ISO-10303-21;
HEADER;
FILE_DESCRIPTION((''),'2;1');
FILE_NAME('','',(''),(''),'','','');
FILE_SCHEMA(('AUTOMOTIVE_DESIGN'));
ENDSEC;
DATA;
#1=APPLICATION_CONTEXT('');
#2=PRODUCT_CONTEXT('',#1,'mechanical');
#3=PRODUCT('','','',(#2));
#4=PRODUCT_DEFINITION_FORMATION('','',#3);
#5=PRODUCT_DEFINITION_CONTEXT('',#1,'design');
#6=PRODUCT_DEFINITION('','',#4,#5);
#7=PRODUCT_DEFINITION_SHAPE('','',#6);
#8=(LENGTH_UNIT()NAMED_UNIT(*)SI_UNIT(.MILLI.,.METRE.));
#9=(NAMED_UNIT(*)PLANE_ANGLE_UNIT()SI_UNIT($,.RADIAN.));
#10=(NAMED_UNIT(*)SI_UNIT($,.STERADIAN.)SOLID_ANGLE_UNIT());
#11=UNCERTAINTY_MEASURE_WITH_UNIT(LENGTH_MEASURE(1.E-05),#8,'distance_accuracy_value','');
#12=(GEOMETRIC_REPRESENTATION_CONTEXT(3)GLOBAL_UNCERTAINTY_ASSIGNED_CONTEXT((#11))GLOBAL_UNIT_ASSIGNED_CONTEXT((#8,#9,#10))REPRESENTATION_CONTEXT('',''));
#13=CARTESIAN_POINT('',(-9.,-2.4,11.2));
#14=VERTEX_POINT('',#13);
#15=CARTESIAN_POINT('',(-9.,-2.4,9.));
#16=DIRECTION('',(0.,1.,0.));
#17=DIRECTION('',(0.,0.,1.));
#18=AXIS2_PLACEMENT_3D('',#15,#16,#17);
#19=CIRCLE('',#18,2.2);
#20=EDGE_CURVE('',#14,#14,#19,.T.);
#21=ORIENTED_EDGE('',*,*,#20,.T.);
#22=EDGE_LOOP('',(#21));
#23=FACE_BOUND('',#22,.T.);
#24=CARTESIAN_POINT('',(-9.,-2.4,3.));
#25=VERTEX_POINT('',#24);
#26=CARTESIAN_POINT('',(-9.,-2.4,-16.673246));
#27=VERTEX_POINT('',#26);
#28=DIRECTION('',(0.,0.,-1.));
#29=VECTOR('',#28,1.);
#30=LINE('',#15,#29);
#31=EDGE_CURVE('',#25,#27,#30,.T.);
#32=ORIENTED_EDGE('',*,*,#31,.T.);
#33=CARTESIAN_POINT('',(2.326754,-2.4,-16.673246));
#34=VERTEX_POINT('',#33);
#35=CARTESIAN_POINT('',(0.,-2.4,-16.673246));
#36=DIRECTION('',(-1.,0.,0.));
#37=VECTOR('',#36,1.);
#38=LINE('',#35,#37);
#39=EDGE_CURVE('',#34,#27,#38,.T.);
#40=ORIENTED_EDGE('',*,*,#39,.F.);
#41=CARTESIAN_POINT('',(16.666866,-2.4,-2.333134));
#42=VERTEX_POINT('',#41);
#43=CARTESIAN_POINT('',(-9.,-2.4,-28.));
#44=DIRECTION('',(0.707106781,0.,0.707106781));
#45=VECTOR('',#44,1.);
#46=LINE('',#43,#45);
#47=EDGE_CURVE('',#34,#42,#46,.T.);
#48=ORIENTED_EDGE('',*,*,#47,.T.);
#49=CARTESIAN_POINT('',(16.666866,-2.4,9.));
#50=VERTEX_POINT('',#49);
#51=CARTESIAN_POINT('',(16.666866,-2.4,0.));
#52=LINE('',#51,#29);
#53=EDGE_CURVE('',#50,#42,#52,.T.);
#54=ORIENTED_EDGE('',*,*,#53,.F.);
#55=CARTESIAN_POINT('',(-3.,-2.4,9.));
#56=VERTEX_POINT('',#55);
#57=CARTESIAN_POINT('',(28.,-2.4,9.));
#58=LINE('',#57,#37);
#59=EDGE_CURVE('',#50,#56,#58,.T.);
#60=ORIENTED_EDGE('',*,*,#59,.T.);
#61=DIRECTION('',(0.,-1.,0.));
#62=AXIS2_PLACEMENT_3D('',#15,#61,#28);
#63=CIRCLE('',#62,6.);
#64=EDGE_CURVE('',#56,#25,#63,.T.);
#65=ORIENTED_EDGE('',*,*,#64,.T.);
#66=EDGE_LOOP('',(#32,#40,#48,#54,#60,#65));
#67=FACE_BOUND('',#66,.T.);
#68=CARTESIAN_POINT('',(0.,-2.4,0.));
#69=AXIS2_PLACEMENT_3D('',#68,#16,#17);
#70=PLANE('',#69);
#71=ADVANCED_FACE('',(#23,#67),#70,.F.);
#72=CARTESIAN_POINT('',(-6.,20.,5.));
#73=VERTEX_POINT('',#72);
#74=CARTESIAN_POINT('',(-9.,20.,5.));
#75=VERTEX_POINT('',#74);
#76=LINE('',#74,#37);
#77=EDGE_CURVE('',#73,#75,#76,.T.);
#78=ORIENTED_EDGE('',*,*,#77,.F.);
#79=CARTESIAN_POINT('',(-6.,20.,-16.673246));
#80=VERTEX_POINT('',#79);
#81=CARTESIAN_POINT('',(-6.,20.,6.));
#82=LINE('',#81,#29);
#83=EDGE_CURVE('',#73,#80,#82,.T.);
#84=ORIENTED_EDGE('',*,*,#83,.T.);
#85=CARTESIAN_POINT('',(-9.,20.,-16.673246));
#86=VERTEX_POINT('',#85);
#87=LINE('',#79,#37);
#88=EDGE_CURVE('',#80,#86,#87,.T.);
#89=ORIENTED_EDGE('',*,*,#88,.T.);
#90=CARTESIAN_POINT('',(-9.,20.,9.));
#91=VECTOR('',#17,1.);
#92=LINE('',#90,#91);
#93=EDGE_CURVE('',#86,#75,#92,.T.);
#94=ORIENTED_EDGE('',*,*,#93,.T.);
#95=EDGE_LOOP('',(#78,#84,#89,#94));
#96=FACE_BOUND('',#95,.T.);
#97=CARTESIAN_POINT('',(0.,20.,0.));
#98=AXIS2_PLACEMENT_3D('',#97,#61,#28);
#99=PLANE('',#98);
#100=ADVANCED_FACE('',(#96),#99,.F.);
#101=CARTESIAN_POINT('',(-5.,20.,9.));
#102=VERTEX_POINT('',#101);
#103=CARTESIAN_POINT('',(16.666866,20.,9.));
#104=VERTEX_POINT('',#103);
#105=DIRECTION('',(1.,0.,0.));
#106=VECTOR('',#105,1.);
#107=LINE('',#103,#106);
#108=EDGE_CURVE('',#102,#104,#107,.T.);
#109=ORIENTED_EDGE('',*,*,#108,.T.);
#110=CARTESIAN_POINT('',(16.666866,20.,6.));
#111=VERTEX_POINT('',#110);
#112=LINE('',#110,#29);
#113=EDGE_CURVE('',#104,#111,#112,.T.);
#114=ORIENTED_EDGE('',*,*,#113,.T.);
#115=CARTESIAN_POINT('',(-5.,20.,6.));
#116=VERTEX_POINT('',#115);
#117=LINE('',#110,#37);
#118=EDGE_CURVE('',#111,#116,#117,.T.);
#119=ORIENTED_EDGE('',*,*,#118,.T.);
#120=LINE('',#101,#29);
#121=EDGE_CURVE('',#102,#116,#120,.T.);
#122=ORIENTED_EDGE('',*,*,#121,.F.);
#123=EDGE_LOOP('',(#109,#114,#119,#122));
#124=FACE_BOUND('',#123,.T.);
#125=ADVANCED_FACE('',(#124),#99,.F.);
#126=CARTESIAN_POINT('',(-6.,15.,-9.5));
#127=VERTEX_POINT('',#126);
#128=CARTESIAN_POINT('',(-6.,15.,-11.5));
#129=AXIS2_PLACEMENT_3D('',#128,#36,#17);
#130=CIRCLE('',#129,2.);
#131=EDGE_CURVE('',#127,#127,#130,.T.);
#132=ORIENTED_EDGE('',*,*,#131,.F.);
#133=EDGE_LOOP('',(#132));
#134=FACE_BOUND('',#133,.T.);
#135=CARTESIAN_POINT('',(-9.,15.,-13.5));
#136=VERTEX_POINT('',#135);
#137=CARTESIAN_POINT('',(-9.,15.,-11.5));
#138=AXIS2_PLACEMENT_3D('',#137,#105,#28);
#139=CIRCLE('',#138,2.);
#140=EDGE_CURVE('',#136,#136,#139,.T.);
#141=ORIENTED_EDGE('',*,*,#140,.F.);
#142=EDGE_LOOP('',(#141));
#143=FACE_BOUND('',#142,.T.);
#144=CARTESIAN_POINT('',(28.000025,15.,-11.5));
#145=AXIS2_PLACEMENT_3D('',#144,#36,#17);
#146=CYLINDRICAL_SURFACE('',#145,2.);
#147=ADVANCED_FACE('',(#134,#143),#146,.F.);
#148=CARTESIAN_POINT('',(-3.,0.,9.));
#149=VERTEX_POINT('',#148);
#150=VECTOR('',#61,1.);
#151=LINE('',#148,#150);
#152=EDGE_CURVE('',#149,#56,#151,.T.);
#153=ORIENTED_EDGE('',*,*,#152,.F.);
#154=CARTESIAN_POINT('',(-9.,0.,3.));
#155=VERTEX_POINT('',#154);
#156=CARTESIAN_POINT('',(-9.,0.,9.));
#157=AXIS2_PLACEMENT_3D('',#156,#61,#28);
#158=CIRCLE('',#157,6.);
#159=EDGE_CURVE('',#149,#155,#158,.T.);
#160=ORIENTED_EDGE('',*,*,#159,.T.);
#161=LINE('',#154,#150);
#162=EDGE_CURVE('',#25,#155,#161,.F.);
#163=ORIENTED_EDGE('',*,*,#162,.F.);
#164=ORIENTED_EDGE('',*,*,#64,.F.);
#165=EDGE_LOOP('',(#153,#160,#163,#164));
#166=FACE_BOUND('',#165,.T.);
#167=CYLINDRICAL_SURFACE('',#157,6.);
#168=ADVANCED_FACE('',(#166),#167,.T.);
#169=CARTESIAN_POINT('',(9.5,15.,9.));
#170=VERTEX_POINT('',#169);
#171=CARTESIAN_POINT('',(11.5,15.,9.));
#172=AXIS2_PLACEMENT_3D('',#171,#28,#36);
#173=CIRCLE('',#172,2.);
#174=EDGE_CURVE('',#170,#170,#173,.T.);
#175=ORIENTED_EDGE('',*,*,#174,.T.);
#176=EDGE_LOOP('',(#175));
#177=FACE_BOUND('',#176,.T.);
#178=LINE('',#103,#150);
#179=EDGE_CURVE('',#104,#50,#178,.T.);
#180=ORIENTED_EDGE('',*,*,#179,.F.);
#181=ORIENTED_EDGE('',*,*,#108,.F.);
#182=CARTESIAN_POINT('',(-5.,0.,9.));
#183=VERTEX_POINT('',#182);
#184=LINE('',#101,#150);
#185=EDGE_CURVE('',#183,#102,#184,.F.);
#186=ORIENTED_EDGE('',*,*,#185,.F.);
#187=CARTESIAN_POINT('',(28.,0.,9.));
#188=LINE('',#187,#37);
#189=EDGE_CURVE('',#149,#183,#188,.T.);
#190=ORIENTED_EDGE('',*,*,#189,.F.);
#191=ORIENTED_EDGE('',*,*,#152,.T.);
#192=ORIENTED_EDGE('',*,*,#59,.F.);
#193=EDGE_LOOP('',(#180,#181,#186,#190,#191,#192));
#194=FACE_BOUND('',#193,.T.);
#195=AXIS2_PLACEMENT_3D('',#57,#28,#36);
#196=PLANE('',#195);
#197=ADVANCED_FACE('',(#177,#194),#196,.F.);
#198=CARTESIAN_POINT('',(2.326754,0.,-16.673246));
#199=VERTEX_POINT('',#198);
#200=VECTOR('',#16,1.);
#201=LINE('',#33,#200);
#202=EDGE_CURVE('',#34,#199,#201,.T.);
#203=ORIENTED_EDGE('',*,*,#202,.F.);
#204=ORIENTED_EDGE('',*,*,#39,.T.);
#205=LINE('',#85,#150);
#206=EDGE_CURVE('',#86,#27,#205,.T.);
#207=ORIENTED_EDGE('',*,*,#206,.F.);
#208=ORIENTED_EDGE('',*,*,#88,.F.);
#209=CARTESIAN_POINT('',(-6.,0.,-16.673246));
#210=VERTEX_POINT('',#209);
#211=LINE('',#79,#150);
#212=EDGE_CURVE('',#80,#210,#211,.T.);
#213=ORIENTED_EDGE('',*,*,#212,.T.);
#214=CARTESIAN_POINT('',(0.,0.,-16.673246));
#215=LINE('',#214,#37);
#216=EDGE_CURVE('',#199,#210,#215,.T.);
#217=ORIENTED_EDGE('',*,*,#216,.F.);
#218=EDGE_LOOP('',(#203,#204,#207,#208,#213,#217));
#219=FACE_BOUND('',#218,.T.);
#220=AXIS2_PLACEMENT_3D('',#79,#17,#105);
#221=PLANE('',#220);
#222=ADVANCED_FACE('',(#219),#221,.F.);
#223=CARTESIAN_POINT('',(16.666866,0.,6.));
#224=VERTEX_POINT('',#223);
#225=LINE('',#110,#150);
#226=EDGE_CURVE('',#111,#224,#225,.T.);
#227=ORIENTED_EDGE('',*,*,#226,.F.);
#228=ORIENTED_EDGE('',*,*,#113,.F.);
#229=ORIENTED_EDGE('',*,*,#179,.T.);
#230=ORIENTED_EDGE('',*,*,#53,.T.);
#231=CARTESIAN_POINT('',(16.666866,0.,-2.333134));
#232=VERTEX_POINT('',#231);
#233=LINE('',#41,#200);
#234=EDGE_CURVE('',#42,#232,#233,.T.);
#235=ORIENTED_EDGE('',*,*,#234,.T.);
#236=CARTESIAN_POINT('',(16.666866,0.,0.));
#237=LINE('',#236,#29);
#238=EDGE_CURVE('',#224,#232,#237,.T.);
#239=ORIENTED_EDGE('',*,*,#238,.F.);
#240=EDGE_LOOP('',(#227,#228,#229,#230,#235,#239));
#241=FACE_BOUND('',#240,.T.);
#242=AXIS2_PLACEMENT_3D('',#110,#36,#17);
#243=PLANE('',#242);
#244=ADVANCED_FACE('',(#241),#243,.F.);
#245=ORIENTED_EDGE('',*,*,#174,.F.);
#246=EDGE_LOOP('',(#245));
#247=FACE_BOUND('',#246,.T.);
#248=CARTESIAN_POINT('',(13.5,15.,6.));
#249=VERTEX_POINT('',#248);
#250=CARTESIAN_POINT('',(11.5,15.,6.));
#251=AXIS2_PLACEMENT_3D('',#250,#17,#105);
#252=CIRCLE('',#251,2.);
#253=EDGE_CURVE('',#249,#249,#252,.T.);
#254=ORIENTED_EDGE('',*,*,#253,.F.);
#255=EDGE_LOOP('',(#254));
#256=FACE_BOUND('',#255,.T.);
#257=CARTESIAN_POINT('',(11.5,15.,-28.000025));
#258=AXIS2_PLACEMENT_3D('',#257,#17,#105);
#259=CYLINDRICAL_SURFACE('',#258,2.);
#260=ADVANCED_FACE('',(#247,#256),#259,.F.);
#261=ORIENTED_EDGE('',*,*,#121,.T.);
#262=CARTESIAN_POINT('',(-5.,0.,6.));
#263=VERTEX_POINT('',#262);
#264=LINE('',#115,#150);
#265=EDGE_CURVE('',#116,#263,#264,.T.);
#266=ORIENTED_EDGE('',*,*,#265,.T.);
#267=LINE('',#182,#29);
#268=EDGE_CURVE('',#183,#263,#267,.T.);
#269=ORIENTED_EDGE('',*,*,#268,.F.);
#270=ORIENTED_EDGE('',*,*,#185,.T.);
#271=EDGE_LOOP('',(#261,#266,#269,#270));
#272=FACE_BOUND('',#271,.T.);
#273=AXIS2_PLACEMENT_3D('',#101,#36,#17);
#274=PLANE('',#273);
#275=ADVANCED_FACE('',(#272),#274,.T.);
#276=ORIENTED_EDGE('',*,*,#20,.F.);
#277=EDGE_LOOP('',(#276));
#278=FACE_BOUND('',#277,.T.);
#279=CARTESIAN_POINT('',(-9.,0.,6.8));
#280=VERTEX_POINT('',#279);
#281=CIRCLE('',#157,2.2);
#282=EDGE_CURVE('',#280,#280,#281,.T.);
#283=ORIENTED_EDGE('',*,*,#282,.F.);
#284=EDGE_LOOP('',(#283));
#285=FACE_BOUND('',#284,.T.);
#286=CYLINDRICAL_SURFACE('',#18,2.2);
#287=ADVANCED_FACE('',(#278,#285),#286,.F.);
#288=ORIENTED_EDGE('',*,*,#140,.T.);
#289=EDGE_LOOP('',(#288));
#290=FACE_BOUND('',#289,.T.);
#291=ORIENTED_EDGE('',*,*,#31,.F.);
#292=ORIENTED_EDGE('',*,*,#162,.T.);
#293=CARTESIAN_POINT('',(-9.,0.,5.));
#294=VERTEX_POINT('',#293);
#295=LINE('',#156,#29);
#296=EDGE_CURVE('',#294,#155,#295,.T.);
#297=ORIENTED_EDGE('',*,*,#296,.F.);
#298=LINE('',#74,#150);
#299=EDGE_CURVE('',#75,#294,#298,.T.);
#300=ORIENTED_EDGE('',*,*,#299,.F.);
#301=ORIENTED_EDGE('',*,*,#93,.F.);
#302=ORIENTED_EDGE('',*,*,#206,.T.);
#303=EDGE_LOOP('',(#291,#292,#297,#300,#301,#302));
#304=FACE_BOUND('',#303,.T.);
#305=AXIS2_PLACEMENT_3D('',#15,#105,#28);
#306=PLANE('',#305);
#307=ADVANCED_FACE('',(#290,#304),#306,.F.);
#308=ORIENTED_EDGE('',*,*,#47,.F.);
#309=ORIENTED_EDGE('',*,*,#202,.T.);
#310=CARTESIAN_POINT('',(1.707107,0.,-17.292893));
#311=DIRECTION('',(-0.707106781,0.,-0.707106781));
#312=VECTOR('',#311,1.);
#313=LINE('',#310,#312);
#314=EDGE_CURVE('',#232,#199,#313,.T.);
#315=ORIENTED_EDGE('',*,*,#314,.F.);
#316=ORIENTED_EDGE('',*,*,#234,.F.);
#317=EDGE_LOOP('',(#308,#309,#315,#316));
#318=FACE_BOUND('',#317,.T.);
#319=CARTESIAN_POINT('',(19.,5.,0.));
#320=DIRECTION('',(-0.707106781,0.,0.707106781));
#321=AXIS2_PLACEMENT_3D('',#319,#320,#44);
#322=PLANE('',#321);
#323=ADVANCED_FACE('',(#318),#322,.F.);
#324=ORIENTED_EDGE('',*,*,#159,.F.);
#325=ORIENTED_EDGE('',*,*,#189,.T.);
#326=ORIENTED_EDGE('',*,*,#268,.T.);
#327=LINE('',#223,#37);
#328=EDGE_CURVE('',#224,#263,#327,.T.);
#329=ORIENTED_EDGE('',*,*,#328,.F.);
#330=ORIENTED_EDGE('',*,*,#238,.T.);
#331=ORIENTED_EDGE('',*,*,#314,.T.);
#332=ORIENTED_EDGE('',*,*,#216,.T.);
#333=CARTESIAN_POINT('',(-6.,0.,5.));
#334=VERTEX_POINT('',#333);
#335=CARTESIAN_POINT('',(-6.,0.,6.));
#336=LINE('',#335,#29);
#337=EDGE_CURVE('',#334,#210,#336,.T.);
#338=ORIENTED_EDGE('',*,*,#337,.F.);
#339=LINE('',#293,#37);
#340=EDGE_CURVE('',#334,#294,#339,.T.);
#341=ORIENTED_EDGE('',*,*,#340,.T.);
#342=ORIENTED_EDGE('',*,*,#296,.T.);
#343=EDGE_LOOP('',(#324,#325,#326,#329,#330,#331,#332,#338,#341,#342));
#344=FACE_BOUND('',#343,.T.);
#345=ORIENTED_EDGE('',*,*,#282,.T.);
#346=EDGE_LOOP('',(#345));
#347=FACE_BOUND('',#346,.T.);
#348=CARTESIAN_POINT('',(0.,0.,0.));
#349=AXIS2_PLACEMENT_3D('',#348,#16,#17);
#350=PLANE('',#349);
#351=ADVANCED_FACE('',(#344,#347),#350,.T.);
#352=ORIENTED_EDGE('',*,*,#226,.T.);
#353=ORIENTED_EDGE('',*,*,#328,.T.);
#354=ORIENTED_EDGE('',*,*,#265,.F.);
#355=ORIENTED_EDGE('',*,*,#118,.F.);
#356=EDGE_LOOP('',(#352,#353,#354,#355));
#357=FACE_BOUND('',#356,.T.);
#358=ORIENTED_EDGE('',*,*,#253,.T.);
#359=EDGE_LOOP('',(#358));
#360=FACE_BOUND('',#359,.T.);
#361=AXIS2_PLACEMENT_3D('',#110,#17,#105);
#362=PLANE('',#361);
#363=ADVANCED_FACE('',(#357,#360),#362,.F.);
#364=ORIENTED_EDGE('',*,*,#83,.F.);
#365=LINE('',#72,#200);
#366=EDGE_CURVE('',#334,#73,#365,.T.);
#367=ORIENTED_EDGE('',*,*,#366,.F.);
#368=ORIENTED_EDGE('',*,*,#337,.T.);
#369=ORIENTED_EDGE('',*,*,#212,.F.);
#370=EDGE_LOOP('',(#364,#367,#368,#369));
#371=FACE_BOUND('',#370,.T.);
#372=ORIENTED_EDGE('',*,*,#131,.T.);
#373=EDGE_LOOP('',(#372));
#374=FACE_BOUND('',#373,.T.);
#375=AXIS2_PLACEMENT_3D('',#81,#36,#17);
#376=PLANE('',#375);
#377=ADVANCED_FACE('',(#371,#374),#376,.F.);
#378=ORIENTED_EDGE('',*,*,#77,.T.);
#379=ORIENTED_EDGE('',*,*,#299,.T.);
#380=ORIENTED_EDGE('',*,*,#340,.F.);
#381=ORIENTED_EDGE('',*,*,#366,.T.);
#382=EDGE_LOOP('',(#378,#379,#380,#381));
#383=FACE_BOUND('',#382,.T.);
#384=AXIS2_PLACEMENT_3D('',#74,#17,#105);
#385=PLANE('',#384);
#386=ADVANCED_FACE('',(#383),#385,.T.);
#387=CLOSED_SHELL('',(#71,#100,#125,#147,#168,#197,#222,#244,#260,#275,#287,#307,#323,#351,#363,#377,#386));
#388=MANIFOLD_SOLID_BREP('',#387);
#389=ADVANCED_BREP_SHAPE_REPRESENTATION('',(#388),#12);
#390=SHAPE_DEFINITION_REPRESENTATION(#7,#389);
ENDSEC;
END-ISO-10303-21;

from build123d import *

# Parameters (mm, degrees)
BOSS_EXTRUDE1_DEPTH     = 5
BOSS_EXTRUDE2_DEPTH     = 15
SKETCH3_R               = 2
CUT_EXTRUDE1_DEPTH      = 34.496268449
SKETCH4_R               = 2
CUT_EXTRUDE2_DEPTH      = 34.496268449
FILLET1_R               = 1
BOSS_EXTRUDE3_DEPTH     = 2.4
BOSS_EXTRUDE4_DEPTH     = 20
CUT_EXTRUDE3_DEPTH      = 51.527220387
CUT_EXTRUDE3_DEPTH_BACK = 51.527220387
SKETCH7_R               = 2
CUT_EXTRUDE4_DEPTH      = 51.527220387
CUT_EXTRUDE4_DEPTH_BACK = 51.527220387
SKETCH8_R               = 2
CUT_EXTRUDE5_DEPTH      = 20
CUT_EXTRUDE6_DEPTH      = 32.914256521
CUT_EXTRUDE7_DEPTH      = 32.914256521
SKETCH12_R              = 6
BOSS_EXTRUDE5_DEPTH     = 2.4
CUT_EXTRUDE8_DEPTH      = 31.915717398
CUT_EXTRUDE8_DEPTH_BACK = 31.915717398
SKETCH13_R              = 2.2
SKETCH14_R              = 4
CUT_EXTRUDE9_DEPTH      = 31.915717398
CUT_EXTRUDE10_DEPTH     = 31.915717398


with BuildPart() as part:
    # Sketch1 → Boss-Extrude1 (new body)
    with BuildSketch(Plane(origin=(0, 0, 0), x_dir=(1, 0, 0), z_dir=(0, 1, 0))):
        Polygon((0, 0), (0, 19), (19, 0), align=None)
    extrude(amount=BOSS_EXTRUDE1_DEPTH)

    # Sketch2 → Boss-Extrude2 (add)
    with BuildSketch(Plane(origin=(0, 5, 0), x_dir=(1, 0, 0), z_dir=(0, 1, 0))):
        Polygon((0, 19), (0, 0), (19, 0), (16, 3), (3, 3), (3, 16), align=None)
    extrude(amount=BOSS_EXTRUDE2_DEPTH)

    # Sketch3 → Cut-Extrude1 (cut, through all)
    with BuildSketch(Plane.XY):
        with Locations((11.5, 15)):
            Circle(SKETCH3_R)
    extrude(amount=-CUT_EXTRUDE1_DEPTH, mode=Mode.SUBTRACT)

    # Sketch4 → Cut-Extrude2 (cut, through all)
    with BuildSketch(Plane.ZY):
        with Locations((-11.5, 15)):
            Circle(SKETCH4_R)
    extrude(amount=-CUT_EXTRUDE2_DEPTH, mode=Mode.SUBTRACT)

    # Fillet1
    fillet1_edges = [part.edges().sort_by_distance(p)[0] for p in [
        (9.5, 20, -3),
        (3, 20, -9.5),
        (1.5, 20, -17.5),
        (17.5, 20, -1.5),
        (19, 10, 0),
        (0, 10, -19),
    ]]
    fillet(fillet1_edges, radius=FILLET1_R)

    # Sketch5 → Boss-Extrude3 (add)
    with BuildSketch(Plane.XZ):
        Polygon((28, 9), (-9, 9), (-9, -28), align=None)
    extrude(amount=BOSS_EXTRUDE3_DEPTH)

    # Sketch6 → Boss-Extrude4 (add)
    with BuildSketch(Plane(origin=(0, 0, 0), x_dir=(1, 0, 0), z_dir=(0, 1, 0))):
        Polygon((-9, -9), (-9, 16.673246444), (-6, 16.673246444), (-6, -6), (16.666866389, -6), (16.666866389, -9), align=None)
    extrude(amount=BOSS_EXTRUDE4_DEPTH)

    # Sketch7 → Cut-Extrude3 (cut, two sides: drawn at the far end of the back side and taken through both)
    with BuildSketch(Plane.XY.offset(9).offset(-CUT_EXTRUDE3_DEPTH_BACK)):
        with Locations((11.5, 15)):
            Circle(SKETCH7_R)
    extrude(amount=CUT_EXTRUDE3_DEPTH + CUT_EXTRUDE3_DEPTH_BACK, mode=Mode.SUBTRACT)

    # Sketch8 → Cut-Extrude4 (cut, two sides: drawn at the far end of the back side and taken through both)
    with BuildSketch(Plane.ZY.offset(9).offset(-CUT_EXTRUDE4_DEPTH_BACK)):
        with Locations((-11.5, 15)):
            Circle(SKETCH8_R)
    extrude(amount=CUT_EXTRUDE4_DEPTH + CUT_EXTRUDE4_DEPTH_BACK, mode=Mode.SUBTRACT)

    # Sketch9 → Cut-Extrude5 (cut)
    with BuildSketch(Plane(origin=(0, 0, 0), x_dir=(1, 0, 0), z_dir=(0, 1, 0))):
        with BuildLine():
            Line((16.666866389, -6), (16.666866389, -9))
            Line((16.666866389, -9), (28, -9))
            Line((28, -9), (17.292893219, 1.707106781))
            ThreePointArc((17.292893219, 1.707106781), (17.524431974, 0.655116604), (16.666866389, 0.003292399))
            Line((16.666866389, 0.003292399), (16.666866389, -6))
        make_face()
        with BuildLine():
            Line((-6, 16.673246444), (0.003831968, 16.673246444))
            ThreePointArc((0.003831968, 16.673246444), (0.658123366, 17.525531279), (1.707106781, 17.292893219))
            Line((1.707106781, 17.292893219), (-9, 28))
            Line((-9, 28), (-9, 16.673246444))
            Line((-9, 16.673246444), (-6, 16.673246444))
        make_face()
    extrude(amount=-CUT_EXTRUDE5_DEPTH, mode=Mode.SUBTRACT)

    # Sketch10 → Cut-Extrude6 (cut, through all)
    with BuildSketch(Plane(origin=(0, 0, 0), x_dir=(1, 0, 0), z_dir=(0, 1, 0))):
        with BuildLine():
            Line((1.707106781, 17.292893219), (17.292893219, 1.707106781))
            ThreePointArc((17.292893219, 1.707106781), (17.50966597, 0.617316568), (16.585786438, 0))
            Line((16.585786438, 0), (0, 0))
            Line((0, 0), (0, 16.585786438))
            ThreePointArc((0, 16.585786438), (0.617316568, 17.50966597), (1.707106781, 17.292893219))
        make_face()
    extrude(amount=CUT_EXTRUDE6_DEPTH, mode=Mode.SUBTRACT)

    # Sketch11 → Cut-Extrude7 (cut, through all)
    with BuildSketch(Plane(origin=(0, 0, 0), x_dir=(1, 0, 0), z_dir=(0, 1, 0))):
        with BuildLine():
            Line((2.326753556, 16.673246444), (0.003831968, 16.673246444))
            ThreePointArc((0.003831968, 16.673246444), (0.658123366, 17.525531279), (1.707106781, 17.292893219))
            Line((1.707106781, 17.292893219), (2.326753556, 16.673246444))
        make_face()
        with BuildLine():
            Line((17.292893219, 1.707106781), (16.666866389, 2.333133611))
            Line((16.666866389, 2.333133611), (16.666866389, 0.003292399))
            ThreePointArc((16.666866389, 0.003292399), (17.524431974, 0.655116604), (17.292893219, 1.707106781))
        make_face()
    extrude(amount=-CUT_EXTRUDE7_DEPTH, mode=Mode.SUBTRACT)

    # Sketch12 → Boss-Extrude5 (add)
    with BuildSketch(Plane.XZ.offset(2.4)):
        with Locations((-9, 9)):
            Circle(SKETCH12_R)
    extrude(amount=-BOSS_EXTRUDE5_DEPTH)

    # Sketch13 → Cut-Extrude8 (cut, two sides: drawn at the far end of the back side and taken through both)
    with BuildSketch(Plane(origin=(0, 0, 0), x_dir=(1, 0, 0), z_dir=(0, 1, 0)).offset(-CUT_EXTRUDE8_DEPTH_BACK)):
        with Locations(Location((-9, -9, 0), (0, 0, 270))):
            Circle(SKETCH13_R)
    extrude(amount=CUT_EXTRUDE8_DEPTH + CUT_EXTRUDE8_DEPTH_BACK, mode=Mode.SUBTRACT)

    # Sketch14 → Cut-Extrude9 (cut, through all)
    with BuildSketch(Plane(origin=(0, 0, 0), x_dir=(1, 0, 0), z_dir=(0, 1, 0))):
        with Locations((-9, -9)):
            Circle(SKETCH14_R)
    extrude(amount=CUT_EXTRUDE9_DEPTH, mode=Mode.SUBTRACT)

    # Sketch15 → Cut-Extrude10 (cut, through all)
    with BuildSketch(Plane(origin=(0, 0, 0), x_dir=(1, 0, 0), z_dir=(0, 1, 0))):
        with BuildLine():
            Line((-9, -5), (-5, -5))
            Line((-5, -5), (-5, -9))
            ThreePointArc((-5, -9), (-6.171572875, -6.171572875), (-9, -5))
        make_face()
    extrude(amount=CUT_EXTRUDE10_DEPTH, mode=Mode.SUBTRACT)


solid = part.part
